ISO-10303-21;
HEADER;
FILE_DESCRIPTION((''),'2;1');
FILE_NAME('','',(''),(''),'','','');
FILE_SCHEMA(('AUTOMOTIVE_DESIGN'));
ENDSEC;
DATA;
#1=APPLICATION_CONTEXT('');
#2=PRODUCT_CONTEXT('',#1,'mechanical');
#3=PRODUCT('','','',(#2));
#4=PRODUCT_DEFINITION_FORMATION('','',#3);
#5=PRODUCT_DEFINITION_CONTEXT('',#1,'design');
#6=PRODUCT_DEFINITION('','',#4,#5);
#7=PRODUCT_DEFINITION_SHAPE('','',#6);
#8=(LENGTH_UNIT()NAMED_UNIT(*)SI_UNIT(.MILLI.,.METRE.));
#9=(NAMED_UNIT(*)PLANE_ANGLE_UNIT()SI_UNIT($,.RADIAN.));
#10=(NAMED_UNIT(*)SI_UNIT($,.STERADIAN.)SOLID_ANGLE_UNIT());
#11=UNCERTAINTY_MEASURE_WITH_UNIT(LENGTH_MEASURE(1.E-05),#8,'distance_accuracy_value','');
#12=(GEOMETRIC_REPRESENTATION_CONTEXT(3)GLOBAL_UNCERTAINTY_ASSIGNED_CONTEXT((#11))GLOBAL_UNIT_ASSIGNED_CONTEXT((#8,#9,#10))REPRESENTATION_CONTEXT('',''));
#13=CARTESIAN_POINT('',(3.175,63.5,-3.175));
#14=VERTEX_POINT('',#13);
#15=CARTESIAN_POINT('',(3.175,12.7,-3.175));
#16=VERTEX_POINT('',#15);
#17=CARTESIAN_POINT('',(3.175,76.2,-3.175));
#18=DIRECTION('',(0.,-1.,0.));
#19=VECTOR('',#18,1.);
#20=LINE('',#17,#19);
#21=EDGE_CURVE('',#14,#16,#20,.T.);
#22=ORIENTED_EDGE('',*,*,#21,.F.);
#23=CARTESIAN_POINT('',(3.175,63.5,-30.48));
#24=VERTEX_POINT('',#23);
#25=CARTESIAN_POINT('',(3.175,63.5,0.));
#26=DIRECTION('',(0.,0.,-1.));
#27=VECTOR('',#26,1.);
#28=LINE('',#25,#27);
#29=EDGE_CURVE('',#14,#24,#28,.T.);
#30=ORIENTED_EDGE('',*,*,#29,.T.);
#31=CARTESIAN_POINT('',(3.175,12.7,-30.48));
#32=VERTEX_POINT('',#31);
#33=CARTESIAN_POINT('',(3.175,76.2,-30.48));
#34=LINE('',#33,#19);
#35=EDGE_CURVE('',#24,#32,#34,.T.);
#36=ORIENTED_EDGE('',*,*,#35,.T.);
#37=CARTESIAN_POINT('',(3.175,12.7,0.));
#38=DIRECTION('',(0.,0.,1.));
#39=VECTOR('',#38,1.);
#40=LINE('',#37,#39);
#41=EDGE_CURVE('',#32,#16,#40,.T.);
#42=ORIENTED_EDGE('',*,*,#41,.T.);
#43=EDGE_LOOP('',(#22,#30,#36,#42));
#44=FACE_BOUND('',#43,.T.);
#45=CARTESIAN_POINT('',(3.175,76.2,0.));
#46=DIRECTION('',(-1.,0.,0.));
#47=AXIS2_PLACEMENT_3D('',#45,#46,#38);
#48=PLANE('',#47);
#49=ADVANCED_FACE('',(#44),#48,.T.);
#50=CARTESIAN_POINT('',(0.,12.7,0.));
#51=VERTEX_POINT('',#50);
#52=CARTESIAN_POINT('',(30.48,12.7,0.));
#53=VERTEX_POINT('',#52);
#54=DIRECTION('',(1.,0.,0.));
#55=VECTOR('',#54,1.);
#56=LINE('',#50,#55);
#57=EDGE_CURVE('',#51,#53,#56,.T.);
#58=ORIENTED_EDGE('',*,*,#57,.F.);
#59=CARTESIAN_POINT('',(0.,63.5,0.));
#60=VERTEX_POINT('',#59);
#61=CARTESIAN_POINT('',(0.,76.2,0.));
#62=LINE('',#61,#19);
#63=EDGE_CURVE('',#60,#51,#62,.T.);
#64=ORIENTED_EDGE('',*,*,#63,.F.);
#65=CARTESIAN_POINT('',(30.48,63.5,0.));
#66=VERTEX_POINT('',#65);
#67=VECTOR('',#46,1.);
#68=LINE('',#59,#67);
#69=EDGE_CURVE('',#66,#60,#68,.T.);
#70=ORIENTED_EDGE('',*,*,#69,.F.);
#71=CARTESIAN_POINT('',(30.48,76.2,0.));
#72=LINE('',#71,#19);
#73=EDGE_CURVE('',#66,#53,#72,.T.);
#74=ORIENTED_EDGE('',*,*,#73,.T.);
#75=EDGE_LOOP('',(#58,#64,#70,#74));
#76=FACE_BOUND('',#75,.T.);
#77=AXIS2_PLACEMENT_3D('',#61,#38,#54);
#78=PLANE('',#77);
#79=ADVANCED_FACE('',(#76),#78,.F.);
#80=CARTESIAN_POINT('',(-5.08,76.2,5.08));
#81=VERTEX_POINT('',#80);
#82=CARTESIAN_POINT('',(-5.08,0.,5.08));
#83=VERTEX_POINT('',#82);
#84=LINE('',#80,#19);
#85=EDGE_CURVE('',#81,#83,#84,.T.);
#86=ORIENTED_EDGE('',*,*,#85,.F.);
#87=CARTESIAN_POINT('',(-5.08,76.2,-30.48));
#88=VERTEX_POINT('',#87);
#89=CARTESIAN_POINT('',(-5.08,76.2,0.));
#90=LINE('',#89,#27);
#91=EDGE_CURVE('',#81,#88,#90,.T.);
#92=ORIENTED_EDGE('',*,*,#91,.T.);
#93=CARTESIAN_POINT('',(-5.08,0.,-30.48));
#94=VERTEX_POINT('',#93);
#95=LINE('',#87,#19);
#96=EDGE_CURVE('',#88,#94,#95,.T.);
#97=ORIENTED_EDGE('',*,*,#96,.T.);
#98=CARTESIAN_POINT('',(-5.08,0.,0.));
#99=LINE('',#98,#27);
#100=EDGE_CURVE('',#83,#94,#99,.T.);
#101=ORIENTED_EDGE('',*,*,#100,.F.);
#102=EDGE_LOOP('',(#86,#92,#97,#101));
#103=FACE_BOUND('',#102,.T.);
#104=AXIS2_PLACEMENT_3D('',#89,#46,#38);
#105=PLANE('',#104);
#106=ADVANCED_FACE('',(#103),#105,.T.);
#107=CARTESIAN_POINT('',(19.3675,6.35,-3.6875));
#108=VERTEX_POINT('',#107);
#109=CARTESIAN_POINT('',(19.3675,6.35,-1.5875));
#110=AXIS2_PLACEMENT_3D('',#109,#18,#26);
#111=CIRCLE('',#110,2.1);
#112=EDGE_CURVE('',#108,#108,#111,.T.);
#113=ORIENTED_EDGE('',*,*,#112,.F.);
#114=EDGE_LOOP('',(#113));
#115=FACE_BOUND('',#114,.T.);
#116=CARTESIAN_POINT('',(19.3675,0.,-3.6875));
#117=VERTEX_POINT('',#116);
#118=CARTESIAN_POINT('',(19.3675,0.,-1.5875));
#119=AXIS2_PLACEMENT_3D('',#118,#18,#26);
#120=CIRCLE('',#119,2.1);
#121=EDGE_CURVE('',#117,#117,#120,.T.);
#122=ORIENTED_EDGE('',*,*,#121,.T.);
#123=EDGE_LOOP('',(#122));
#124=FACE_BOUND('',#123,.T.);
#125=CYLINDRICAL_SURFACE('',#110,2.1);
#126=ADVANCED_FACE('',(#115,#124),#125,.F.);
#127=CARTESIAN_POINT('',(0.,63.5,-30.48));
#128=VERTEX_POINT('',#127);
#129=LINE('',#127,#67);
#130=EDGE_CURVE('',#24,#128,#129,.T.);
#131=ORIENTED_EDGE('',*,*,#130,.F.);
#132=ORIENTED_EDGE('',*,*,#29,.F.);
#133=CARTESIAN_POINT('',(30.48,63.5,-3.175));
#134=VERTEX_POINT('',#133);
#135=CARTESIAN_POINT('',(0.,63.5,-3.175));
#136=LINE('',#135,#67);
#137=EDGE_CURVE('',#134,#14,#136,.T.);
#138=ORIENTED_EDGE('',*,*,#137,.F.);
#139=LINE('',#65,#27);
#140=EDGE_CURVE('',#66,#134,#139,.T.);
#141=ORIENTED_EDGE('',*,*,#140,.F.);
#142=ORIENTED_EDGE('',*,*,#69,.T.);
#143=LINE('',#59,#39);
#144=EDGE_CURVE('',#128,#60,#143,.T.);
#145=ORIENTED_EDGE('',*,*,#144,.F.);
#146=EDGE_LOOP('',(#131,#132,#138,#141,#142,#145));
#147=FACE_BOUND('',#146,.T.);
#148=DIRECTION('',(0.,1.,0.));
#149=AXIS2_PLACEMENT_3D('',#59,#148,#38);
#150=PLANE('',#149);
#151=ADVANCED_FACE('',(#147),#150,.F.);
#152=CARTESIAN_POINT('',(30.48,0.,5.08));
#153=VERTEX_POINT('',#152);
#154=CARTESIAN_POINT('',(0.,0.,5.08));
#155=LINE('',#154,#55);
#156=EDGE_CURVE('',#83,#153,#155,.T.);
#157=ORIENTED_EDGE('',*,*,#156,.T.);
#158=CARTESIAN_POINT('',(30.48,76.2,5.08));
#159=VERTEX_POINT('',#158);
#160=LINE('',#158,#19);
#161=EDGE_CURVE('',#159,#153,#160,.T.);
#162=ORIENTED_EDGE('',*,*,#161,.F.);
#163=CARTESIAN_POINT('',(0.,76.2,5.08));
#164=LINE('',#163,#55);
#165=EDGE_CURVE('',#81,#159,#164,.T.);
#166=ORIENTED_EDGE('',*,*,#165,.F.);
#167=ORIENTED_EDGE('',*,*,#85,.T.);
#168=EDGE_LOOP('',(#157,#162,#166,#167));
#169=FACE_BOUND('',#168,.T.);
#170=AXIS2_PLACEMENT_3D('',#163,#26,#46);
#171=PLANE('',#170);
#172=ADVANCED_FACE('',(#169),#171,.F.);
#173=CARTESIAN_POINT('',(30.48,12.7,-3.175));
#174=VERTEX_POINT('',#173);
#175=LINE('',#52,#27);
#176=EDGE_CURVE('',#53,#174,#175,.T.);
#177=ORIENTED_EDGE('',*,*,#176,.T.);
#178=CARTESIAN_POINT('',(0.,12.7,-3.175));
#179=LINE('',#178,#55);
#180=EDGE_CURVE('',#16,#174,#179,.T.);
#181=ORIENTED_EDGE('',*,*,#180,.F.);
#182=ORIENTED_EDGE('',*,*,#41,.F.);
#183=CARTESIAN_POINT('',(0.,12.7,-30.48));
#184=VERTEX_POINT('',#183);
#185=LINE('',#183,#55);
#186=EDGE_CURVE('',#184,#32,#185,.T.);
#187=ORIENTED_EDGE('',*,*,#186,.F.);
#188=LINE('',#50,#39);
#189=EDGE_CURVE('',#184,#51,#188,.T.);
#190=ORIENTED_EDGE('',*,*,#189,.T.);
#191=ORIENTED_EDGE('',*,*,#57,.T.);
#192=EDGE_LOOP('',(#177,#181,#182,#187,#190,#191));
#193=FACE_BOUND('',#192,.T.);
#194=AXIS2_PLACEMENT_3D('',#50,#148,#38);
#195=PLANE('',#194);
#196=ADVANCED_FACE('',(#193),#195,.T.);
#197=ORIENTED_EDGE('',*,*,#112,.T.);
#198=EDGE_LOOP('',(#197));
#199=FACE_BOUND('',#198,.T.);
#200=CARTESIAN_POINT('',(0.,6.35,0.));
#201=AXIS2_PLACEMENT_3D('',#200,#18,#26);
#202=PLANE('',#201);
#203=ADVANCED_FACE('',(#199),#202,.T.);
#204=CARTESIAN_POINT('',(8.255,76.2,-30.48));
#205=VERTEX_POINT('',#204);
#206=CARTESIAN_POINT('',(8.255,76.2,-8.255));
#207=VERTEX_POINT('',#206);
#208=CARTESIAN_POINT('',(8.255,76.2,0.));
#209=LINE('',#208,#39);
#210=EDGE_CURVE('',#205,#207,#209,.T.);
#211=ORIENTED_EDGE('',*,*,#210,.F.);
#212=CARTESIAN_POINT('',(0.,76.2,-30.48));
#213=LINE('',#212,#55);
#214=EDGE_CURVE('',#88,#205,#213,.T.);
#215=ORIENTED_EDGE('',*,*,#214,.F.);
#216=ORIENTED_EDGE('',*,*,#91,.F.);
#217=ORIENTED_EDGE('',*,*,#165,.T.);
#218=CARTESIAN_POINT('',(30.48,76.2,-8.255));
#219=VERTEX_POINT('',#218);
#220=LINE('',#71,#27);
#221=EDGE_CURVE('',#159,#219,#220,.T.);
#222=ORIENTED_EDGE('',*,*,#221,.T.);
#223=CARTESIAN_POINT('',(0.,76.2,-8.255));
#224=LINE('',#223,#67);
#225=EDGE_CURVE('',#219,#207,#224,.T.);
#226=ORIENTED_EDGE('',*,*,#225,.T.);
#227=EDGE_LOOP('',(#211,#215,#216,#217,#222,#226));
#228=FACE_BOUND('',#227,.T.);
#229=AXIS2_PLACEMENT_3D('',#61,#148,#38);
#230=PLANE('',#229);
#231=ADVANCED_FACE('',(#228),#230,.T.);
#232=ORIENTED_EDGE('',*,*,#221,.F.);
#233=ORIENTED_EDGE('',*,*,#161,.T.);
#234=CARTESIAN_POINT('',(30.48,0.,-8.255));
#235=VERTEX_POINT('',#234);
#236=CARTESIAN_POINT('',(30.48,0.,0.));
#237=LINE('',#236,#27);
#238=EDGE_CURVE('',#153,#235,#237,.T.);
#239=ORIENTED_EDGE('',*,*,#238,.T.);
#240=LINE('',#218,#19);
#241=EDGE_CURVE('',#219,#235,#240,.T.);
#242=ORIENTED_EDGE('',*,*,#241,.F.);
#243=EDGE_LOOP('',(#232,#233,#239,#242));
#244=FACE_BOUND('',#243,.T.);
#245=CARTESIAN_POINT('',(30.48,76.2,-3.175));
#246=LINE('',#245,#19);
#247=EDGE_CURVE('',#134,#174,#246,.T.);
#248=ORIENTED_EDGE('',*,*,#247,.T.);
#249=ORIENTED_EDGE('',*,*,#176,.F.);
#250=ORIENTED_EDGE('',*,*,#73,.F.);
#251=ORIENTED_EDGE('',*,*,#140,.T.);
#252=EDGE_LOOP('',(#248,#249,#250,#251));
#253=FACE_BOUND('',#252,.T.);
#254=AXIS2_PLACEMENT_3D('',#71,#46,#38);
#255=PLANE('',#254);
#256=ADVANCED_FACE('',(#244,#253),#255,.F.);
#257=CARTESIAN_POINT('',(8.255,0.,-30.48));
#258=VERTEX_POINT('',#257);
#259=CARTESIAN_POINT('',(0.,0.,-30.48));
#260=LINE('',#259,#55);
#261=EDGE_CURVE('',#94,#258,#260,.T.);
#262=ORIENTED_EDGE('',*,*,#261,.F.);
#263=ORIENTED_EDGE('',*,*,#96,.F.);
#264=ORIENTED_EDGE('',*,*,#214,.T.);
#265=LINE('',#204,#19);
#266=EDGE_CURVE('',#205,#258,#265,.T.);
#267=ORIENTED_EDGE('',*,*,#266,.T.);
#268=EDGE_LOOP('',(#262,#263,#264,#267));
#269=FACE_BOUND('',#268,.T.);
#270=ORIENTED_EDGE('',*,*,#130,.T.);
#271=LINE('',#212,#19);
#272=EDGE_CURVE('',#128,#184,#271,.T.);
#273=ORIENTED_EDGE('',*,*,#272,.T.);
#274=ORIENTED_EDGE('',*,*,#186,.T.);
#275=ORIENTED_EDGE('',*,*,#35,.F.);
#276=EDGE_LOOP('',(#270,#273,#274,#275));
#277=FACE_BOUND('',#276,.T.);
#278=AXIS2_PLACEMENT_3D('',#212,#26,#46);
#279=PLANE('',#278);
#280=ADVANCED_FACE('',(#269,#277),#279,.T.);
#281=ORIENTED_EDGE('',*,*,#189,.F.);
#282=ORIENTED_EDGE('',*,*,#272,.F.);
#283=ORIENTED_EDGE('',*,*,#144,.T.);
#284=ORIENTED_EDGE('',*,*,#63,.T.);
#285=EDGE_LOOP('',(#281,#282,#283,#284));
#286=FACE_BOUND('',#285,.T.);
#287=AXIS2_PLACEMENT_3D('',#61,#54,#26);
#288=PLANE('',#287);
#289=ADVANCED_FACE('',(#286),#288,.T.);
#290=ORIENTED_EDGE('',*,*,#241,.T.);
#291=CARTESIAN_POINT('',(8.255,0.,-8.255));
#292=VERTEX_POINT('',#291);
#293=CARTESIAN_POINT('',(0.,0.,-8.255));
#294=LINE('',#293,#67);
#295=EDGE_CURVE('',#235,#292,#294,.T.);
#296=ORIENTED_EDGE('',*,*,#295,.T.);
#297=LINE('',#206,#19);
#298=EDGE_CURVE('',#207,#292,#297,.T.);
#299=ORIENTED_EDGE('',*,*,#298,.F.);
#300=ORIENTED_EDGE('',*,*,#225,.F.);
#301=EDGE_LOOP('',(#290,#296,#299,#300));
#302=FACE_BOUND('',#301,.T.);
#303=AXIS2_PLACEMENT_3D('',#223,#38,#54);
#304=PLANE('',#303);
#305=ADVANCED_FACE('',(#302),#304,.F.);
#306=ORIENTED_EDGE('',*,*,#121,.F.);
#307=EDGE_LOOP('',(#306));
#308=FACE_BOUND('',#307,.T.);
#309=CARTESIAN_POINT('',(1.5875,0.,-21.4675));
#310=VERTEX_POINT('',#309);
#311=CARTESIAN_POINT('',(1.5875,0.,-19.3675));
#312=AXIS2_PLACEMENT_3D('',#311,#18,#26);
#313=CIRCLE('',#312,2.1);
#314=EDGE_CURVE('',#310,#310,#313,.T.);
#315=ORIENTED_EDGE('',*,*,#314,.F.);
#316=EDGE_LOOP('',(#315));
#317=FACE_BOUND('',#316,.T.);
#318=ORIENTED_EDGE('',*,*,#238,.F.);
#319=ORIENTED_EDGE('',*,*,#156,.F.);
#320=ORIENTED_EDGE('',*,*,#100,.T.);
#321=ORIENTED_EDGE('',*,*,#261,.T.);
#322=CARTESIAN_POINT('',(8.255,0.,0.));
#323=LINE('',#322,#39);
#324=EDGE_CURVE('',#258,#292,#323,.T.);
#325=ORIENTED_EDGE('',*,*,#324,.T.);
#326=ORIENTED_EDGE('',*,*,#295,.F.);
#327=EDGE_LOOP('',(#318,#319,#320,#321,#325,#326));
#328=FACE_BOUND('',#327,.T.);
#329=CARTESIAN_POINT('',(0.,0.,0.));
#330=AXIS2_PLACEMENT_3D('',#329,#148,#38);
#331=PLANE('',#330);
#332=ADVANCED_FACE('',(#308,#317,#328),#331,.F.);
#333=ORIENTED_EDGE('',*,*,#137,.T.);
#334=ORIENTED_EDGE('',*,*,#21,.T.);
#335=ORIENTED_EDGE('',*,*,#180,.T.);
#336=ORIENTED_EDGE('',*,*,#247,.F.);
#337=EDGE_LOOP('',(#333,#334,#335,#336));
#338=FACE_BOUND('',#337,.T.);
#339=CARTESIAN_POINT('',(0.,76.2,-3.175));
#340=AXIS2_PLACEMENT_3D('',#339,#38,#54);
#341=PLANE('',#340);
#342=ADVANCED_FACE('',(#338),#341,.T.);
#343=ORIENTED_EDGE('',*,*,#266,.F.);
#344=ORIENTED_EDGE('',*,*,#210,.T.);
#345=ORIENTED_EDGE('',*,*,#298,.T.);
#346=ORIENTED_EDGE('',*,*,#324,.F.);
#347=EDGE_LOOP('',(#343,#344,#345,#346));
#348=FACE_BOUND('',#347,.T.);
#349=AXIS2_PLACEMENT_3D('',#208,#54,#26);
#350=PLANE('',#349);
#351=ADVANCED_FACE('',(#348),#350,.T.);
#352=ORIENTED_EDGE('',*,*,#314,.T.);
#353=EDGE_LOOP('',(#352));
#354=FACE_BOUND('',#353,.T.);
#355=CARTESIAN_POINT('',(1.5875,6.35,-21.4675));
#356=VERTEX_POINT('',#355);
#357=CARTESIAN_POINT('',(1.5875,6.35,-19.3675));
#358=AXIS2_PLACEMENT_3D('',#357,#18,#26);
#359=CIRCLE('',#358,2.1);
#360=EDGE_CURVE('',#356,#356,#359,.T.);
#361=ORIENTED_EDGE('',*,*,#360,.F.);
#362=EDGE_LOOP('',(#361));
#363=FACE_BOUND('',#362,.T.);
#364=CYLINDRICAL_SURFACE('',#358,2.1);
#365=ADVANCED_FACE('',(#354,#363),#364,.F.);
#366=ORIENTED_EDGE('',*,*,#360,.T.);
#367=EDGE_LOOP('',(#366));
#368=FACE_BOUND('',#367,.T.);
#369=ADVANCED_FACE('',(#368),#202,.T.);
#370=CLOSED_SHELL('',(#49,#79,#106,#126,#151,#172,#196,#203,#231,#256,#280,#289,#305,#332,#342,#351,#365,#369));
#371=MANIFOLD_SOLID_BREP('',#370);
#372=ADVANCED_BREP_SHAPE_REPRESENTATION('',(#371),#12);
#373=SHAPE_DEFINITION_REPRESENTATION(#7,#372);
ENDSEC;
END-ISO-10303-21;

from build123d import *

# Parameters (mm, degrees)
BOSS_EXTRUDE2_DEPTH   = 76.2
BOSS_EXTRUDE2_2_DEPTH = 76.2
BOSS_EXTRUDE3_DEPTH   = 12.7
BOSS_EXTRUDE4_DEPTH   = 12.7
SKETCH3_R             = 2.1
CUT_EXTRUDE1_DEPTH    = 6.35


with BuildPart() as part:
    # Sketch1 → Boss-Extrude2 (new body)
    with BuildSketch(Plane(origin=(0, 0, 0), x_dir=(1, 0, 0), z_dir=(0, 1, 0))):
        Polygon((30.48, 0), (0, 0), (0, 30.48), (-5.08, 30.48), (-5.08, -5.08), (30.48, -5.08), align=None)
    extrude(amount=BOSS_EXTRUDE2_DEPTH)



with BuildPart() as body_2:
    # Sketch1 → Boss-Extrude2 2 (new body)
    with BuildSketch(Plane(origin=(0, 0, 0), x_dir=(1, 0, 0), z_dir=(0, 1, 0))):
        Polygon((8.255, 30.48), (3.175, 30.48), (3.175, 3.175), (30.48, 3.175), (30.48, 8.255), (8.255, 8.255), align=None)
    extrude(amount=BOSS_EXTRUDE2_2_DEPTH)


with BuildPart() as part_1:
    add(part.part)

    add(body_2.part)  # Boss-Extrude3 merges body 2
    # Sketch1<5> → Boss-Extrude3 (add)
    with BuildSketch(Plane(origin=(0, 0, 0), x_dir=(1, 0, 0), z_dir=(0, 1, 0))):
        Polygon((0, 25.4), (0, 0), (25.4, 0), (30.48, 0), (30.48, 3.175), (25.4, 3.175), (3.175, 3.175), (3.175, 25.4), (3.175, 30.48), (0, 30.48), align=None)
    extrude(amount=BOSS_EXTRUDE3_DEPTH)

    # Sketch2 → Boss-Extrude4 (add)
    with BuildSketch(Plane(origin=(0, 76.2, 0), x_dir=(1, 0, 0), z_dir=(0, 1, 0))):
        Polygon((30.48, -5.08), (30.48, 8.255), (8.255, 8.255), (8.255, 30.48), (-5.08, 30.48), (-5.08, -5.08), align=None)
    extrude(amount=-BOSS_EXTRUDE4_DEPTH)

    # Sketch3 → Cut-Extrude1 (cut)
    with BuildSketch(Plane.XZ):
        with Locations((1.5875, -19.3675)):
            Circle(SKETCH3_R)
        with Locations((19.3675, -1.5875)):
            Circle(SKETCH3_R)
    extrude(amount=-CUT_EXTRUDE1_DEPTH, mode=Mode.SUBTRACT)


solid = part_1.part
